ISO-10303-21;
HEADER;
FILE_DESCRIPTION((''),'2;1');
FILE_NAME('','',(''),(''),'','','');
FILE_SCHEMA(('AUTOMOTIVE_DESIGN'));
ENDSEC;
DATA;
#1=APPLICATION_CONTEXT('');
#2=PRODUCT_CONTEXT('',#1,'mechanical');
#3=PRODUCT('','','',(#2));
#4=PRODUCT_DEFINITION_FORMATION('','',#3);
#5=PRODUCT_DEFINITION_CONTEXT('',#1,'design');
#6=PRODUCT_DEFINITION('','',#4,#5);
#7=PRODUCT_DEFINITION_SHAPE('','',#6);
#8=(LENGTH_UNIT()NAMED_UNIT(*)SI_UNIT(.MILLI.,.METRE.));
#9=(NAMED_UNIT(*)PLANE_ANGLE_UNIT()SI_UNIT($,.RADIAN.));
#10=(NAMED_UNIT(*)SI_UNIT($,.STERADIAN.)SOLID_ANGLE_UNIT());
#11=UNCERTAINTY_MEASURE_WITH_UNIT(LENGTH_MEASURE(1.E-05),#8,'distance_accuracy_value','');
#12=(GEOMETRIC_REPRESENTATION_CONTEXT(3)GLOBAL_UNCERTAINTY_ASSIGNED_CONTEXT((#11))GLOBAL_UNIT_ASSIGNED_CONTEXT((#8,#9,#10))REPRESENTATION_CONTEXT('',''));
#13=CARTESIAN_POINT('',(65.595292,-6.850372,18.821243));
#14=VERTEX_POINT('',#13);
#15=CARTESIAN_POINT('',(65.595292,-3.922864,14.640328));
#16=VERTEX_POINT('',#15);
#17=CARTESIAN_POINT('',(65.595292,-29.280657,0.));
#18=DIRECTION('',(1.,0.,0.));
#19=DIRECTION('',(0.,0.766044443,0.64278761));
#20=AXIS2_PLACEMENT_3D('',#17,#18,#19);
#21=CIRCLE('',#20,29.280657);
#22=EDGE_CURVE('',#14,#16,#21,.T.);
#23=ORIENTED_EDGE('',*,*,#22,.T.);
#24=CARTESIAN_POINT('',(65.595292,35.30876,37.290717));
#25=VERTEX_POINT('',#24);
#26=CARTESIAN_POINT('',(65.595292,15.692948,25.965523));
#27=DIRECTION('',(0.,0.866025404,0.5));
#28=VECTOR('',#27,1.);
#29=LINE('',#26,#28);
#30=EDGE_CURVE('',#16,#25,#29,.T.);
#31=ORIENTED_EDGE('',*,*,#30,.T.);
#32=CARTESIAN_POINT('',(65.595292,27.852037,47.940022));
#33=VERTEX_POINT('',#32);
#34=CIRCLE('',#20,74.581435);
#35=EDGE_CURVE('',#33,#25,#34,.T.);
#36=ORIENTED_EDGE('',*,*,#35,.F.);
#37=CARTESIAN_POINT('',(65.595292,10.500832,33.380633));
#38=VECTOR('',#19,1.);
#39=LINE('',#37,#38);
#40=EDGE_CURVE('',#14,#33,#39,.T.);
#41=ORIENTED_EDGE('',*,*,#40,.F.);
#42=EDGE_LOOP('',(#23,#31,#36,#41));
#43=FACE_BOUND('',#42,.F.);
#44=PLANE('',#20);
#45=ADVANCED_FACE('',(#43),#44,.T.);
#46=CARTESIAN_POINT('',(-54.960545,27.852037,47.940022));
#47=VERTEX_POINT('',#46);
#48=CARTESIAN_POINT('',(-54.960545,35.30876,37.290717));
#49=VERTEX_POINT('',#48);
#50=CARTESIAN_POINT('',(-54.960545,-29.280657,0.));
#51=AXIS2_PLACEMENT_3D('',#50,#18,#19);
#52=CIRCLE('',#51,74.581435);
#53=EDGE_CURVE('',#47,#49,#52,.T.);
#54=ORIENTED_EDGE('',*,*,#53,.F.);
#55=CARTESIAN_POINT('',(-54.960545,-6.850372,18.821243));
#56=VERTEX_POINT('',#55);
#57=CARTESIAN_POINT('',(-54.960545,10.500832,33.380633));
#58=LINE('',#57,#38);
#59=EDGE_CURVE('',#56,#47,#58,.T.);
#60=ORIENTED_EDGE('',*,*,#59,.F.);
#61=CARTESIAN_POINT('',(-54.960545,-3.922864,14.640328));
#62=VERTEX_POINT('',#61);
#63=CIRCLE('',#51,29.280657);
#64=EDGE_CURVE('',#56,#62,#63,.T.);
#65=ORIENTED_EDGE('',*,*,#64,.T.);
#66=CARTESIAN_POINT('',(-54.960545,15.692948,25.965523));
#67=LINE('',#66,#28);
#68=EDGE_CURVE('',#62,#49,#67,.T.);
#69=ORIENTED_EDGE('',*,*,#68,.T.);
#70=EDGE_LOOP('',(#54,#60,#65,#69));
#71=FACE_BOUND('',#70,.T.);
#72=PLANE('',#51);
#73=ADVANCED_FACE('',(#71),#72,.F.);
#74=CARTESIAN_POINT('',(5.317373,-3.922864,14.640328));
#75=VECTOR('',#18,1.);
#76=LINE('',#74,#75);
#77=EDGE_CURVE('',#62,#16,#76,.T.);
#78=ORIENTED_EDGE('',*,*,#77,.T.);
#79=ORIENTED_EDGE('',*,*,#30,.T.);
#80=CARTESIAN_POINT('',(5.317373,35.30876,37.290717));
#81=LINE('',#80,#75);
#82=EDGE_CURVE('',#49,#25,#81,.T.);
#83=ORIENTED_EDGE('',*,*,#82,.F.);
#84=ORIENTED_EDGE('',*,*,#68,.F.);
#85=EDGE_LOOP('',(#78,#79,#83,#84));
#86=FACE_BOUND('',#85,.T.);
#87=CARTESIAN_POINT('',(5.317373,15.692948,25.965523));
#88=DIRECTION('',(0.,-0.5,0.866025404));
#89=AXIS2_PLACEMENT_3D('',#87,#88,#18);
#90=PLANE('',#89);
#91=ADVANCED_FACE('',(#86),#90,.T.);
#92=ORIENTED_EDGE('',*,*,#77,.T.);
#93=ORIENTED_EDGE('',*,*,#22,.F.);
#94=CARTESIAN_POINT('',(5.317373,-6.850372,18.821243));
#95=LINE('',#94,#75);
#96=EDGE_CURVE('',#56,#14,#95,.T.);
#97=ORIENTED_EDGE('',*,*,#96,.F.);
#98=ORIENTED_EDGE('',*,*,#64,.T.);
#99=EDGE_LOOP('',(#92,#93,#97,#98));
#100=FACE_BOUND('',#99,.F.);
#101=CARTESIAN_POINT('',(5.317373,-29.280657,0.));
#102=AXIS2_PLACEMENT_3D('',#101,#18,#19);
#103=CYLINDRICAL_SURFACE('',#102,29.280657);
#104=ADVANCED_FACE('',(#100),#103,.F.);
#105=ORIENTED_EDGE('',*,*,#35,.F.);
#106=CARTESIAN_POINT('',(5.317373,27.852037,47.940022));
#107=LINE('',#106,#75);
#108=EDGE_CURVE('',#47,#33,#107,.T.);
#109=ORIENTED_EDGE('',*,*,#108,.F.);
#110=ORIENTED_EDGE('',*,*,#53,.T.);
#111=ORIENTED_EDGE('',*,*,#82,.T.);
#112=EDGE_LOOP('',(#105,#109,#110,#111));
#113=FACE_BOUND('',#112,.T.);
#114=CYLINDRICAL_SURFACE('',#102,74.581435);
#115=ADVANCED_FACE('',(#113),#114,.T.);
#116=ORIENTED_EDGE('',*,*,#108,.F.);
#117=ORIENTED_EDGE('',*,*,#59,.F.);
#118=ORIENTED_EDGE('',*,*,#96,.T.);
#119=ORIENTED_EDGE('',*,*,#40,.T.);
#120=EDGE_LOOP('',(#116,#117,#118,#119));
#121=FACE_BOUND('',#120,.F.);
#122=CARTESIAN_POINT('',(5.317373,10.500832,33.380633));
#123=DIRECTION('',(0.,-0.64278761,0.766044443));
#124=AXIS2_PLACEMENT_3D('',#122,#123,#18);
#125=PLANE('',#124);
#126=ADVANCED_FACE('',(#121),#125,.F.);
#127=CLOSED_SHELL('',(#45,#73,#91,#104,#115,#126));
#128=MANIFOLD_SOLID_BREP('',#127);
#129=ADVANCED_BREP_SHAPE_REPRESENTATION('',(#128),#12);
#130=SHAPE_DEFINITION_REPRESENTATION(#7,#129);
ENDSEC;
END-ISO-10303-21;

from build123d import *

# Parameters (mm, degrees)
F0_W          = 120.5558367074
F0_H          = 45.3007780015
F1_ANGLE_BACK = 320
F1_ANGLE      = 350


with BuildPart() as f1:
    # F0 (on Top) → F1 (revolve)
    with BuildSketch(Plane.XY, mode=Mode.PRIVATE) as f1_sk:
        with Locations((5.3173732013, 22.6503890008)):
            Rectangle(F0_W, F0_H)
    revolve(f1_sk.sketch.rotate(Axis((9.5657669008, -29.2806569487, 0), (1, 0, 0)), -F1_ANGLE_BACK), axis=Axis((9.5657669008, -29.2806569487, 0), (1, 0, 0)), revolution_arc=F1_ANGLE)


solid = f1.part
